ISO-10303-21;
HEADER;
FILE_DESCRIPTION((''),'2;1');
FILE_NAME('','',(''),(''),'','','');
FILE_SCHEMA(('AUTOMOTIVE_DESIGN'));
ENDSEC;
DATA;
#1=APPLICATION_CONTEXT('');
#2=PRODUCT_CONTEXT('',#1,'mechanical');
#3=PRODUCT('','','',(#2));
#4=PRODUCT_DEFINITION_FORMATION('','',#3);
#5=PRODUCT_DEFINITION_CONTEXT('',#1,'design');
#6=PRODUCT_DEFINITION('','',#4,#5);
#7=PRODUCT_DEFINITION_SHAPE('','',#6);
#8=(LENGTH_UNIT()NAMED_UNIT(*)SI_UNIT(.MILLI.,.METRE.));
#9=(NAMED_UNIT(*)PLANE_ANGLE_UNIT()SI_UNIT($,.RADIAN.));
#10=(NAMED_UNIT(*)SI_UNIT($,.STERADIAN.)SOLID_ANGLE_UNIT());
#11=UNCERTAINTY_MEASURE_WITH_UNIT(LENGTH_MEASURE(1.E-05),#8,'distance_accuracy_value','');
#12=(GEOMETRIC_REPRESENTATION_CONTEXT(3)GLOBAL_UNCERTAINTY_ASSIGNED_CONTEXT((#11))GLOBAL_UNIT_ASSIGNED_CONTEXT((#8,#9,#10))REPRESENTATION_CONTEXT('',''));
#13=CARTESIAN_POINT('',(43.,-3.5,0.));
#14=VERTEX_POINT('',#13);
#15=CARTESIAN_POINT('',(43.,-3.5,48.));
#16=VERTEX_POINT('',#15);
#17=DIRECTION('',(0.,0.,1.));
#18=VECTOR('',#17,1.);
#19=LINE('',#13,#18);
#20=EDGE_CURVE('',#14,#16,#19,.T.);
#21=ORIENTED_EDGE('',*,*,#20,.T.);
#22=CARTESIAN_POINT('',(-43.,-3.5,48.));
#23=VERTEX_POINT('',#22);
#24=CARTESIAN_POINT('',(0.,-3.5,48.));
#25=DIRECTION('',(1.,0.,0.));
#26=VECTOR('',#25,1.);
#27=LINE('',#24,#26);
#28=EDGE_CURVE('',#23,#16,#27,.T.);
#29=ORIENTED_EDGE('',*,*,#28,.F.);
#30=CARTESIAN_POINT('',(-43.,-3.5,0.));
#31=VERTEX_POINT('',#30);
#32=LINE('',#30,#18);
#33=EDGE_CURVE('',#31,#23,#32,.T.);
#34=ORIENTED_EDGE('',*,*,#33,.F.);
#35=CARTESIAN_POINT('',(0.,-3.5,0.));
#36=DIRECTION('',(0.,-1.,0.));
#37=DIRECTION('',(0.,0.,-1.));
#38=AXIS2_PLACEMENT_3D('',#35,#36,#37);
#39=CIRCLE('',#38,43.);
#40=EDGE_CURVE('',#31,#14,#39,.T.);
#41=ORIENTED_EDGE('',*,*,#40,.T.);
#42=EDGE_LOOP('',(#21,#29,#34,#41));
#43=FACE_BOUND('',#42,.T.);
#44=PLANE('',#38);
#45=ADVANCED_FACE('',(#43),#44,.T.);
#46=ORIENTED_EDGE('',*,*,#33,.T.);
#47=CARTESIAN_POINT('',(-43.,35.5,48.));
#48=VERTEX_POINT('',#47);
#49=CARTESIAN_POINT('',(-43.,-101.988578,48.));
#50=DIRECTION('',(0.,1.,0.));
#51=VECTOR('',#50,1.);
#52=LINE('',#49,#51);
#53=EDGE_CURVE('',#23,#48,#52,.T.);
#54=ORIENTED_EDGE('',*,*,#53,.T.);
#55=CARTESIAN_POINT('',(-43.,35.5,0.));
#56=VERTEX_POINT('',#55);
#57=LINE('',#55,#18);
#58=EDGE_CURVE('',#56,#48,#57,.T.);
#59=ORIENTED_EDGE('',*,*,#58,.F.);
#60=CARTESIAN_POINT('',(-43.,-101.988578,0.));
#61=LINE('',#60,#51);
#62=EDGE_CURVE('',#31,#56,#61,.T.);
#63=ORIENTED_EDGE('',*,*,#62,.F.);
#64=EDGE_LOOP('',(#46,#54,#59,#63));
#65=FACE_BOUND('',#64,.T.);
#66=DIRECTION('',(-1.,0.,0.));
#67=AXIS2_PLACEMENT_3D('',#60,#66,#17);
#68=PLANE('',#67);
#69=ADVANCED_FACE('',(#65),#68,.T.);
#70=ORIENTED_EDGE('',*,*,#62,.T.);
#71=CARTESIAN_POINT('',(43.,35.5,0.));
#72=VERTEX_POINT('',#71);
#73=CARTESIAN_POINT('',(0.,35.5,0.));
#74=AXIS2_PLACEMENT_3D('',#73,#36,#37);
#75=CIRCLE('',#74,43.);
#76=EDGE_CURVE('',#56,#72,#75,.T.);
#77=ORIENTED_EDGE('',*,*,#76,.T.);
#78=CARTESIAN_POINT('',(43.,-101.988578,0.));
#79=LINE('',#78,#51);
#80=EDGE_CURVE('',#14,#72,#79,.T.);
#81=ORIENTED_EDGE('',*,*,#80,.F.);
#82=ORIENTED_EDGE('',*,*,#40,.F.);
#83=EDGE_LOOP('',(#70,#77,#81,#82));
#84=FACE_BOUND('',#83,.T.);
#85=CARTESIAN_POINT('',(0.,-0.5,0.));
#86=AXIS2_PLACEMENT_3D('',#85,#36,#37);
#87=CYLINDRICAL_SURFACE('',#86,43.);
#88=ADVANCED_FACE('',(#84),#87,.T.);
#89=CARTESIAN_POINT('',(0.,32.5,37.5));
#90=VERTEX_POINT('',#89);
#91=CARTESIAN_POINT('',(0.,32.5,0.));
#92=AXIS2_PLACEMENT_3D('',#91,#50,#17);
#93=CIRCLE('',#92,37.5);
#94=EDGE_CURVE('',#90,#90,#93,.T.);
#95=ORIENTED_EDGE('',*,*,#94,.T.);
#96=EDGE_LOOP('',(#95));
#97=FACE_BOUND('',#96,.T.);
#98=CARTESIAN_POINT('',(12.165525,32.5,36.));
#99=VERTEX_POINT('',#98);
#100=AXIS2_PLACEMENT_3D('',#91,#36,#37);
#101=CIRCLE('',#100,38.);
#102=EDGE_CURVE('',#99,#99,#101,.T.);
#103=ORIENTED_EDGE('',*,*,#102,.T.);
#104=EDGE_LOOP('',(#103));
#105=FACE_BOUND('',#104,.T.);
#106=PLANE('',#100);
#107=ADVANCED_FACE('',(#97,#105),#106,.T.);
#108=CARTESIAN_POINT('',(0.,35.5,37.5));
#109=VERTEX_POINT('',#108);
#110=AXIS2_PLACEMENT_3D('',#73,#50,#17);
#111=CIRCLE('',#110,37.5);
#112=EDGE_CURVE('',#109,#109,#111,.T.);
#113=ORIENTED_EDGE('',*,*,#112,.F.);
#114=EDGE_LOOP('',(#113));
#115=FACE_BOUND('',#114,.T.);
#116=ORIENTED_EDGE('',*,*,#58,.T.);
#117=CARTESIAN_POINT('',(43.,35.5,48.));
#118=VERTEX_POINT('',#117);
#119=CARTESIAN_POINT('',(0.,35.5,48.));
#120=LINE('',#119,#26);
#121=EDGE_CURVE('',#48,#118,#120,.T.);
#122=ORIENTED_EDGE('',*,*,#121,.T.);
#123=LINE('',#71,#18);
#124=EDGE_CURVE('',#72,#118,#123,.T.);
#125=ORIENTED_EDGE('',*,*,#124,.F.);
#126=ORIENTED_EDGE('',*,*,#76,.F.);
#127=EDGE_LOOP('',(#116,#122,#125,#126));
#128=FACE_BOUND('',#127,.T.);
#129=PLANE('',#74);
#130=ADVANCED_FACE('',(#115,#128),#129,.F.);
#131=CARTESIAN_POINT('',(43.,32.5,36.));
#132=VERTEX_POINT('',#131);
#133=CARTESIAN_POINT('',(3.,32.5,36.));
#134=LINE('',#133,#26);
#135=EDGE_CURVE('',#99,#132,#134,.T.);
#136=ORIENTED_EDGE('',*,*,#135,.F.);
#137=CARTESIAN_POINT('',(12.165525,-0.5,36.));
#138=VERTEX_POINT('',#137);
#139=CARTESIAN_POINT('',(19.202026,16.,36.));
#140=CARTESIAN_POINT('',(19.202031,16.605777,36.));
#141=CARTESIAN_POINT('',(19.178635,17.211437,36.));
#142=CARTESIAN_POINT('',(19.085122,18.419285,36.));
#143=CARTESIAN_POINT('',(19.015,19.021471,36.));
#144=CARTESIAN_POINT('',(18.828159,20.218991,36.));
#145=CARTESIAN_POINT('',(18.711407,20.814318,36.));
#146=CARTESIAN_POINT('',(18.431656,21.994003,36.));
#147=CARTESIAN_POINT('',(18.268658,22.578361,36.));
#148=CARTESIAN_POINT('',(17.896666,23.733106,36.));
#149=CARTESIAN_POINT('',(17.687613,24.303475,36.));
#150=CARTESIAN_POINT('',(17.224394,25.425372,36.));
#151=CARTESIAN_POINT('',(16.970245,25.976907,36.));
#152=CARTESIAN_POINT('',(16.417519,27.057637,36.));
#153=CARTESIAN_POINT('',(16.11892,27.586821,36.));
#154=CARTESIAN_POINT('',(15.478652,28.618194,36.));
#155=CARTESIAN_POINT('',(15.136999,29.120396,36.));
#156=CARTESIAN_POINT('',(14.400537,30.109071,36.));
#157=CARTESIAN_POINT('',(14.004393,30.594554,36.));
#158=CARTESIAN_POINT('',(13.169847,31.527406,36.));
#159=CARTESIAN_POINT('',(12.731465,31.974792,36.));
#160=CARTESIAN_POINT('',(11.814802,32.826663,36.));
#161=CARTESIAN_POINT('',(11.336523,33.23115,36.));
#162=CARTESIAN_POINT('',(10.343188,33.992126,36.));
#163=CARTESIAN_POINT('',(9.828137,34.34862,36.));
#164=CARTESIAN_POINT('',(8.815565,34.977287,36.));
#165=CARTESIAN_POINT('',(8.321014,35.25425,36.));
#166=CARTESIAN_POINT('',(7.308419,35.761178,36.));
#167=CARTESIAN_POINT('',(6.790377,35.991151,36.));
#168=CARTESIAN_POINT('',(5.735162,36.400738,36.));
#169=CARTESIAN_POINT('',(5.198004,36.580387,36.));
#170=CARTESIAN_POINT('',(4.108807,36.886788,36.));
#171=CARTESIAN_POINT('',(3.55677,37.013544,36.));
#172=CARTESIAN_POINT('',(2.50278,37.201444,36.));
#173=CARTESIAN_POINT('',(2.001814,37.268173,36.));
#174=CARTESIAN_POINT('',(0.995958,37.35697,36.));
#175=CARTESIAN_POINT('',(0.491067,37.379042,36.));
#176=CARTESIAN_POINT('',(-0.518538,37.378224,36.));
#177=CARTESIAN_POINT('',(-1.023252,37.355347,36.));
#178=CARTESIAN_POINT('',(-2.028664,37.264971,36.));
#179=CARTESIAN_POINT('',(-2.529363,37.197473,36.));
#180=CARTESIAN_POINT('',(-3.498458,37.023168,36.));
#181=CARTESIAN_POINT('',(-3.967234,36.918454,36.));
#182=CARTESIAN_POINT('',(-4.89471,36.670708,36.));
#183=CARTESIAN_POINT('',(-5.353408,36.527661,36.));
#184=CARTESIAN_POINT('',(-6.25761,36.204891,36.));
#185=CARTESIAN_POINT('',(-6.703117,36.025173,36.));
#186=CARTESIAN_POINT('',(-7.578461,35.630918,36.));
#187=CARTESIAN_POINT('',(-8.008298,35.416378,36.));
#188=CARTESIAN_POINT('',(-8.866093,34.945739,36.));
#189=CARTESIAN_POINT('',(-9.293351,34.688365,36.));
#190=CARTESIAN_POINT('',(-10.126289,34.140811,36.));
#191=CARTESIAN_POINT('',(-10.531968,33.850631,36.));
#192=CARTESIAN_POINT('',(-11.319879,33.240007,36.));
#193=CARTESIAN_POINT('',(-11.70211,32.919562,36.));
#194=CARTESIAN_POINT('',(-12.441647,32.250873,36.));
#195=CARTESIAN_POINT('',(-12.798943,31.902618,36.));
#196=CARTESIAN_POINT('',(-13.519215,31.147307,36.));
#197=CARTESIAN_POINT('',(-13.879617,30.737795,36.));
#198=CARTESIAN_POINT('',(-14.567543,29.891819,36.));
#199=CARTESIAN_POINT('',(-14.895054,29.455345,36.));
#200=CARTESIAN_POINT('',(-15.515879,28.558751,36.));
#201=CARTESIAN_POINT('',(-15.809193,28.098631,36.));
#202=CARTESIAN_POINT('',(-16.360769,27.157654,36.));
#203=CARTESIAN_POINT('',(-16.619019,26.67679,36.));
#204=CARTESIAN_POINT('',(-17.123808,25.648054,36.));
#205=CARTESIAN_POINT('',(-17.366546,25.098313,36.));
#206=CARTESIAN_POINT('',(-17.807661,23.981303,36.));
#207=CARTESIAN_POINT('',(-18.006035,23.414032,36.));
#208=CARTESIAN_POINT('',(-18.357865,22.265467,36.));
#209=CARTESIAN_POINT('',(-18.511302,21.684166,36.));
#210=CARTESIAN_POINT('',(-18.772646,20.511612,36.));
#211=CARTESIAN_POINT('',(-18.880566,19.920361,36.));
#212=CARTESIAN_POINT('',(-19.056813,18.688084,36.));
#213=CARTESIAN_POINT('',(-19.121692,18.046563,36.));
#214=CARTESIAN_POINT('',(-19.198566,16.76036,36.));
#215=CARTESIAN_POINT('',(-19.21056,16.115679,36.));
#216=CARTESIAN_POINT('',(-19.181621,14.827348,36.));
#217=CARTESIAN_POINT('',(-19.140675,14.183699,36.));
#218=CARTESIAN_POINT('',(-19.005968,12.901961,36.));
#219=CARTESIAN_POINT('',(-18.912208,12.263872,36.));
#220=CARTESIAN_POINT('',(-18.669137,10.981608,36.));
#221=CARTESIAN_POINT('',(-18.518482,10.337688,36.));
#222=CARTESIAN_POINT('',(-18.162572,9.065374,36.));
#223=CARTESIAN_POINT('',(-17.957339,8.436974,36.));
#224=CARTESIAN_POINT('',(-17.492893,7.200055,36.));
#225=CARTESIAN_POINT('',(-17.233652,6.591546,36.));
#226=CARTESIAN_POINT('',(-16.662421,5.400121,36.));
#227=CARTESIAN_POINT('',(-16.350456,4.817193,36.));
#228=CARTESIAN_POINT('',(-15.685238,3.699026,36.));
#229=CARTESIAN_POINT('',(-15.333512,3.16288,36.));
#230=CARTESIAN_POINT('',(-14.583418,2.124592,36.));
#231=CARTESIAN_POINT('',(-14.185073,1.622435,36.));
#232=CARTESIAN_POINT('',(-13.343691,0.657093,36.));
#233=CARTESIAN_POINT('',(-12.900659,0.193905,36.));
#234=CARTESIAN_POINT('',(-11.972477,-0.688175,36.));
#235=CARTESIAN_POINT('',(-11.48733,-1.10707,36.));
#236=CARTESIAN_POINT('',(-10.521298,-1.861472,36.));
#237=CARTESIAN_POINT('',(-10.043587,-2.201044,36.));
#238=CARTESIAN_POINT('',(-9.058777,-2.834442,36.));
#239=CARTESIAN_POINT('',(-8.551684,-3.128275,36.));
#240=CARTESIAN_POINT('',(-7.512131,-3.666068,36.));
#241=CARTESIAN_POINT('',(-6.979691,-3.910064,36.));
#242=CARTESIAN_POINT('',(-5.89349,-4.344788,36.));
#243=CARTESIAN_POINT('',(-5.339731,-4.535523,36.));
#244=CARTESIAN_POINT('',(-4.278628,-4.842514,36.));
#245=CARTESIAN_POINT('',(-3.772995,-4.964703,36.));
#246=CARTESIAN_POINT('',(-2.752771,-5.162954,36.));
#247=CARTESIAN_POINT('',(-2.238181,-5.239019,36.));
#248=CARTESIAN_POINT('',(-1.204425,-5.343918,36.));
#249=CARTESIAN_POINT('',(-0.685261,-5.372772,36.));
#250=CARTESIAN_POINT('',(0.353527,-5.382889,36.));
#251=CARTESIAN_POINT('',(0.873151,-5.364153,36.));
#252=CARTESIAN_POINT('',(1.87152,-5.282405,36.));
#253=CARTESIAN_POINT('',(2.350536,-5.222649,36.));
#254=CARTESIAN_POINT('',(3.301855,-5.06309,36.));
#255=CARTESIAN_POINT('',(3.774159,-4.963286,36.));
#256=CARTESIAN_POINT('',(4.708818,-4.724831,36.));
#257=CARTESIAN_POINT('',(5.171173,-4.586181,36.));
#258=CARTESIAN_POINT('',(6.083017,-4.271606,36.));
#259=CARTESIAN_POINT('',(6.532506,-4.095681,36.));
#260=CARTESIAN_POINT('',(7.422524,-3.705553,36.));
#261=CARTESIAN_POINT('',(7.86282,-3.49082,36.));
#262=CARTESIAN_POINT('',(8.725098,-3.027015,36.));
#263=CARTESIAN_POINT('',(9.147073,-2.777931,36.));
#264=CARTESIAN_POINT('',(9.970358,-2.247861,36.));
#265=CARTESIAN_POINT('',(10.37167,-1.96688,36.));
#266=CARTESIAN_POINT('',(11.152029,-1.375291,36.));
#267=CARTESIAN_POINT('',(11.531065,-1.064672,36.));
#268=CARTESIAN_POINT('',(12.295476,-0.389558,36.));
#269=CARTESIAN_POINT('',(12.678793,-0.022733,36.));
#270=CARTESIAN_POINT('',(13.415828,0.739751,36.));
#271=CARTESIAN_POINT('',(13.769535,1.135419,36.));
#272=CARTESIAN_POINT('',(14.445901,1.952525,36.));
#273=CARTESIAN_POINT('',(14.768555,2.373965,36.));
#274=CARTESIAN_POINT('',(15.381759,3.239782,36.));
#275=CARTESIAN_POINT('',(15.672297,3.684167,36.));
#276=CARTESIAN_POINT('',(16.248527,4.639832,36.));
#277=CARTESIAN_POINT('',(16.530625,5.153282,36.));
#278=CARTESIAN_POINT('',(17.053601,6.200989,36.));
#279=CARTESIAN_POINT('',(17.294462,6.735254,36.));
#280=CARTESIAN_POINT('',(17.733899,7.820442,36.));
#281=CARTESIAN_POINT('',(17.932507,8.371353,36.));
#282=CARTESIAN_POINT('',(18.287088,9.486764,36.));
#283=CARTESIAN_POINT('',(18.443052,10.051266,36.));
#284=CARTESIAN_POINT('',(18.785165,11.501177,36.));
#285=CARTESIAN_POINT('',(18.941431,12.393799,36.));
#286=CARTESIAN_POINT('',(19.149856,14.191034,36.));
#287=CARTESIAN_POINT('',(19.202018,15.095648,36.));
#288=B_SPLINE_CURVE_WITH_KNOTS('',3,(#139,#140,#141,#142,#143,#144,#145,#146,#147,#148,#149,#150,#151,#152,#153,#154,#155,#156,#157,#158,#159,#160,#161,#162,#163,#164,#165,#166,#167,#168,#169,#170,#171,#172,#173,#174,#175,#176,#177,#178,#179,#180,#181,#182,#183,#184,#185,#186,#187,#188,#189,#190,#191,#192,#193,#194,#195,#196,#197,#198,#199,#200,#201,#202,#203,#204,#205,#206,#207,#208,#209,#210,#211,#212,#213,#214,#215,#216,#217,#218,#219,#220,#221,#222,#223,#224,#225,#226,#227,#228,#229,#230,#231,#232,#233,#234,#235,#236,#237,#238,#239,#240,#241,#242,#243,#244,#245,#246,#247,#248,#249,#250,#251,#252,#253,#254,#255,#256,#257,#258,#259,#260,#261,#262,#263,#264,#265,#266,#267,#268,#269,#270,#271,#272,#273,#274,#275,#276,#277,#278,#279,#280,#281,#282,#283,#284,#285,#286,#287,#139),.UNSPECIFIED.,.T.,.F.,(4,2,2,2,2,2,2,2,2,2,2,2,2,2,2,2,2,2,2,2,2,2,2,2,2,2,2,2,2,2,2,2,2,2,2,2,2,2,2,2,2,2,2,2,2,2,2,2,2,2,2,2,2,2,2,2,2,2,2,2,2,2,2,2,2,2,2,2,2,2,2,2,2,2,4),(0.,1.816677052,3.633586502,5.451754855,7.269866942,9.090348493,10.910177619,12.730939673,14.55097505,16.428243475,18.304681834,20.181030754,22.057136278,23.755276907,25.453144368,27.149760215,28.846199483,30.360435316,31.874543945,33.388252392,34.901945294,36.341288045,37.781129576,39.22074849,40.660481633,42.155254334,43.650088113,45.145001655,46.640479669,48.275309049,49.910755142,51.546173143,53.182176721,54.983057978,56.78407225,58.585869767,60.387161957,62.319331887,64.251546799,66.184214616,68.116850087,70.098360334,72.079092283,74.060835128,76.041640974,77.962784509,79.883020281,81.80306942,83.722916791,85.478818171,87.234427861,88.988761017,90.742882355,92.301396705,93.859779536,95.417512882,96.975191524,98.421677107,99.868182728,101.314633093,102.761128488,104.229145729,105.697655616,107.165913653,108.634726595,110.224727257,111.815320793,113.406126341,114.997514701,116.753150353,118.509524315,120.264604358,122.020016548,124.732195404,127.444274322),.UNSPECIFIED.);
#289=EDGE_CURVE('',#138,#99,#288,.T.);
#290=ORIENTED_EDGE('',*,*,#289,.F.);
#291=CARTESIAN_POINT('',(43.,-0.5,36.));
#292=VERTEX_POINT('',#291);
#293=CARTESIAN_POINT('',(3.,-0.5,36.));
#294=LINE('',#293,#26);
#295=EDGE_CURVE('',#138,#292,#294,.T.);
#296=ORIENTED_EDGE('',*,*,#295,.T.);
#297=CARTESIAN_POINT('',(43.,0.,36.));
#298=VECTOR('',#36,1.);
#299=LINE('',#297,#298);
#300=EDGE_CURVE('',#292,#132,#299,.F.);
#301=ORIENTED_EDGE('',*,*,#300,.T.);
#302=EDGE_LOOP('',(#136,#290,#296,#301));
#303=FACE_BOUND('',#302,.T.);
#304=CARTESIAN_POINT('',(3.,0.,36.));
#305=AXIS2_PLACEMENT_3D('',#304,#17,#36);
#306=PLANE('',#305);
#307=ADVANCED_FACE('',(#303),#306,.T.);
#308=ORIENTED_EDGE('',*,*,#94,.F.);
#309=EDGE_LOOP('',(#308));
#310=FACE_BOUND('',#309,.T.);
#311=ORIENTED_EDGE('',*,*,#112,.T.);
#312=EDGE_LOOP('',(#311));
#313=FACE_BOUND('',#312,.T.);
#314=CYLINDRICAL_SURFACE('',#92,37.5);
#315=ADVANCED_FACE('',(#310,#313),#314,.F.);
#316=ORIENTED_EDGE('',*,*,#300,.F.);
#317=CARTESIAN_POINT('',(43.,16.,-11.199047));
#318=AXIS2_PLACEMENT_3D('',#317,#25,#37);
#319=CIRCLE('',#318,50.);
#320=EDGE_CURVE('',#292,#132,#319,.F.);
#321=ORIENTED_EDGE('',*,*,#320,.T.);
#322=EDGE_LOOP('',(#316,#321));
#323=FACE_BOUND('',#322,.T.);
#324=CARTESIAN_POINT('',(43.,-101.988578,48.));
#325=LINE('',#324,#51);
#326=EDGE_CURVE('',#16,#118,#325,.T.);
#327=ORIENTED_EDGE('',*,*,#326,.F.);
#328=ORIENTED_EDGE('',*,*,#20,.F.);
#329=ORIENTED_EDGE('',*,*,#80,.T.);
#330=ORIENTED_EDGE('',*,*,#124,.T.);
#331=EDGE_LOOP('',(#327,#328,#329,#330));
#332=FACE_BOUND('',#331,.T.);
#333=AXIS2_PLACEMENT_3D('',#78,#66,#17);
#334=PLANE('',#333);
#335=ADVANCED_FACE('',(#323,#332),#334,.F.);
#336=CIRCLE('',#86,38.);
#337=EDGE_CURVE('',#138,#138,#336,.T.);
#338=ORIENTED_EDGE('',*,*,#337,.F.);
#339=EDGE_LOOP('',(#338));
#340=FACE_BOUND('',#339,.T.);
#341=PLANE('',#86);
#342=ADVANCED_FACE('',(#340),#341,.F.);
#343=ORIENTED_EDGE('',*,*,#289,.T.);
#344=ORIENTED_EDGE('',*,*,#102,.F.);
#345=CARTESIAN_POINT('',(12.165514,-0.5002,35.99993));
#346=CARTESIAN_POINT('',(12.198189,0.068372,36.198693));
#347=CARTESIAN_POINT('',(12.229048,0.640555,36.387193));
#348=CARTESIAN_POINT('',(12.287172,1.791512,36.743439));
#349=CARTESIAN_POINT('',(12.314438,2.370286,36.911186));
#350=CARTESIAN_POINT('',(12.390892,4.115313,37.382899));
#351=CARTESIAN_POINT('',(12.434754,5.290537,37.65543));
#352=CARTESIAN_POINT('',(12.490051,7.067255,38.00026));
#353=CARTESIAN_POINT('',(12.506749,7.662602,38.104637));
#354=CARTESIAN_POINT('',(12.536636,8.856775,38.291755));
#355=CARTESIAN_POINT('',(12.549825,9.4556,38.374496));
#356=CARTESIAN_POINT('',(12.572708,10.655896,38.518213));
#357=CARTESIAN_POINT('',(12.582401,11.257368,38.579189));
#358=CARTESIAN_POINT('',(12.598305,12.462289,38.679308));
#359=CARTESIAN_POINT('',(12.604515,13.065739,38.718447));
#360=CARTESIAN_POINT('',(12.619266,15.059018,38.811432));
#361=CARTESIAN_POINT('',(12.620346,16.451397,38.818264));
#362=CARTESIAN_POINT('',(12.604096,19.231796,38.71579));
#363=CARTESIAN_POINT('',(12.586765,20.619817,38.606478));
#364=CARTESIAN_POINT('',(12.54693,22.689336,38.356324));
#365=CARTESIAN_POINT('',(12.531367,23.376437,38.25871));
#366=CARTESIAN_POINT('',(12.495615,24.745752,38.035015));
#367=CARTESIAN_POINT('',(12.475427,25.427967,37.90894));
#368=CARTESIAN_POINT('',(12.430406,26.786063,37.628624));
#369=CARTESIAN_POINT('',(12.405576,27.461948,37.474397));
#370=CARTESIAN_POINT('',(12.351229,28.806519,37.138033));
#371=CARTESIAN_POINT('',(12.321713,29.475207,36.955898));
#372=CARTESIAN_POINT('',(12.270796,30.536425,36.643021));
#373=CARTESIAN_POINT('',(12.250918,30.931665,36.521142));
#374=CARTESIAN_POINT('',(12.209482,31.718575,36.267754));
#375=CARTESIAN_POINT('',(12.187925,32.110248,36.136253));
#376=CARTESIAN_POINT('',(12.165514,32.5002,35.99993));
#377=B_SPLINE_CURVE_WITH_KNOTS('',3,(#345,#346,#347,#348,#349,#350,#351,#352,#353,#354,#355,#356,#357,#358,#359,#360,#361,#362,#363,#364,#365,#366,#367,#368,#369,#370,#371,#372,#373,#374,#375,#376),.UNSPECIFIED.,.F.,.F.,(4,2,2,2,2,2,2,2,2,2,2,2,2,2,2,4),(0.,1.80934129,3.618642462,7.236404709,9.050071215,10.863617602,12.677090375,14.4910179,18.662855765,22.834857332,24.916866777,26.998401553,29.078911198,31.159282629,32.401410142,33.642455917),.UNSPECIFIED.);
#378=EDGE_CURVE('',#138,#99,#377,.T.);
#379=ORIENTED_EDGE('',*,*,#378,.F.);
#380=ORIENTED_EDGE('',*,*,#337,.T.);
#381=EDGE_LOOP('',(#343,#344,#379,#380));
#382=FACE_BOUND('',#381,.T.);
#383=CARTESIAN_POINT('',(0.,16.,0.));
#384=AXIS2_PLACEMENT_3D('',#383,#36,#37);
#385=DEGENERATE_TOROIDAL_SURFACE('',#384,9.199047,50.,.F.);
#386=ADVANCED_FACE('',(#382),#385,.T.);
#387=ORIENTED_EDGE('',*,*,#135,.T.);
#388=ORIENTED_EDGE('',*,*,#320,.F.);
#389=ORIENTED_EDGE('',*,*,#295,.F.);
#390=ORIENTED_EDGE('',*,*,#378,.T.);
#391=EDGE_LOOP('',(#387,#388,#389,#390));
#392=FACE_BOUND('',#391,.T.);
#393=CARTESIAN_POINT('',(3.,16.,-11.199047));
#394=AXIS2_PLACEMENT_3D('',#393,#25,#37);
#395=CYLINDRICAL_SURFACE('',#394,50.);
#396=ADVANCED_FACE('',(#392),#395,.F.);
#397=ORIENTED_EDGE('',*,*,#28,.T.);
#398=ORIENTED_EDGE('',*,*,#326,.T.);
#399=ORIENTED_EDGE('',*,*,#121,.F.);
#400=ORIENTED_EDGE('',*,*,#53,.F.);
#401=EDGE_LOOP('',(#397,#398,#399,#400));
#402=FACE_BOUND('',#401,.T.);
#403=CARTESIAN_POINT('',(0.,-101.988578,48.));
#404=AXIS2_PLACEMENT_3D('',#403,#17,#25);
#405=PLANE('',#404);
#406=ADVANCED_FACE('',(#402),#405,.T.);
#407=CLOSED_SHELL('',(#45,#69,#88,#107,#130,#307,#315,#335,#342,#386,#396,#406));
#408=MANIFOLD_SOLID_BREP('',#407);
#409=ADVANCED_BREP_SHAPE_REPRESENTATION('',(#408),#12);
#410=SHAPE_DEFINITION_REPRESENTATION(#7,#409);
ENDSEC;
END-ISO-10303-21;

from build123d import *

# Parameters (mm, degrees)
SKETCH2_R               = 37.5
CUT_EXTRUDE1_DEPTH      = 3
BOSS_EXTRUDE1_DEPTH     = 39
CUT_EXTRUDE2_DEPTH      = 105.691212621
CUT_EXTRUDE2_DEPTH_BACK = 40


with BuildPart() as part:
    # Sketch1 → Revolve1 (revolve)
    with BuildSketch(Plane.XY, mode=Mode.PRIVATE) as revolve1_sk:
        with BuildLine():
            Line((38, -0.5), (0, -0.5))
            Line((0, -0.5), (0, -3.5))
            Line((0, -3.5), (43, -3.5))
            Line((43, -3.5), (43, 35.5))
            Line((43, 35.5), (0, 35.5))
            Line((0, 35.5), (0, 32.5))
            Line((0, 32.5), (38, 32.5))
            ThreePointArc((38, 32.5), (40.800953399, 16), (38, -0.5))
        make_face()
    revolve(revolve1_sk.sketch.rotate(Axis((0, -0.5, 0), (0, 1, 0)), 90), axis=Axis((0, -0.5, 0), (0, 1, 0)))

    # Sketch2 → Cut-Extrude1 (cut)
    with BuildSketch(Plane(origin=(0, 35.5, 0), x_dir=(1, 0, 0), z_dir=(0, 1, 0))):
        with Locations(Location((0, 0, 0), (0, 0, 270))):
            Circle(SKETCH2_R)
    extrude(amount=-CUT_EXTRUDE1_DEPTH, mode=Mode.SUBTRACT)

    # Sketch3 → Boss-Extrude1 (add)
    with BuildSketch(Plane(origin=(0, 35.5, 0), x_dir=(1, 0, 0), z_dir=(0, 1, 0))):
        with BuildLine():
            ThreePointArc((0, -43), (-30.405591591, -30.405591591), (-43, 0))
            Line((-43, 0), (-43, -43))
            Line((-43, -43), (0, -43))
        make_face()
        with BuildLine():
            Line((43, -43), (43, 0))
            ThreePointArc((43, 0), (30.405591591, -30.405591591), (0, -43))
            Line((0, -43), (43, -43))
        make_face()
        Polygon((43, -43), (43, -48), (-43, -48), (-43, -43), (0, -43), align=None)
    extrude(amount=-BOSS_EXTRUDE1_DEPTH)

    # Sketch4 → Cut-Extrude2 (cut, two sides: drawn at the far end of the back side and taken through both)
    with BuildSketch(Plane(origin=(43, 0, 0), x_dir=(0, 0, -1), z_dir=(1, 0, 0)).offset(-CUT_EXTRUDE2_DEPTH_BACK)):
        with BuildLine():
            Line((-36, 32.5), (-36, -0.5))
            ThreePointArc((-36, -0.5), (-38.800953399, 16), (-36, 32.5))
        make_face()
    extrude(amount=CUT_EXTRUDE2_DEPTH + CUT_EXTRUDE2_DEPTH_BACK, mode=Mode.SUBTRACT)


solid = part.part
